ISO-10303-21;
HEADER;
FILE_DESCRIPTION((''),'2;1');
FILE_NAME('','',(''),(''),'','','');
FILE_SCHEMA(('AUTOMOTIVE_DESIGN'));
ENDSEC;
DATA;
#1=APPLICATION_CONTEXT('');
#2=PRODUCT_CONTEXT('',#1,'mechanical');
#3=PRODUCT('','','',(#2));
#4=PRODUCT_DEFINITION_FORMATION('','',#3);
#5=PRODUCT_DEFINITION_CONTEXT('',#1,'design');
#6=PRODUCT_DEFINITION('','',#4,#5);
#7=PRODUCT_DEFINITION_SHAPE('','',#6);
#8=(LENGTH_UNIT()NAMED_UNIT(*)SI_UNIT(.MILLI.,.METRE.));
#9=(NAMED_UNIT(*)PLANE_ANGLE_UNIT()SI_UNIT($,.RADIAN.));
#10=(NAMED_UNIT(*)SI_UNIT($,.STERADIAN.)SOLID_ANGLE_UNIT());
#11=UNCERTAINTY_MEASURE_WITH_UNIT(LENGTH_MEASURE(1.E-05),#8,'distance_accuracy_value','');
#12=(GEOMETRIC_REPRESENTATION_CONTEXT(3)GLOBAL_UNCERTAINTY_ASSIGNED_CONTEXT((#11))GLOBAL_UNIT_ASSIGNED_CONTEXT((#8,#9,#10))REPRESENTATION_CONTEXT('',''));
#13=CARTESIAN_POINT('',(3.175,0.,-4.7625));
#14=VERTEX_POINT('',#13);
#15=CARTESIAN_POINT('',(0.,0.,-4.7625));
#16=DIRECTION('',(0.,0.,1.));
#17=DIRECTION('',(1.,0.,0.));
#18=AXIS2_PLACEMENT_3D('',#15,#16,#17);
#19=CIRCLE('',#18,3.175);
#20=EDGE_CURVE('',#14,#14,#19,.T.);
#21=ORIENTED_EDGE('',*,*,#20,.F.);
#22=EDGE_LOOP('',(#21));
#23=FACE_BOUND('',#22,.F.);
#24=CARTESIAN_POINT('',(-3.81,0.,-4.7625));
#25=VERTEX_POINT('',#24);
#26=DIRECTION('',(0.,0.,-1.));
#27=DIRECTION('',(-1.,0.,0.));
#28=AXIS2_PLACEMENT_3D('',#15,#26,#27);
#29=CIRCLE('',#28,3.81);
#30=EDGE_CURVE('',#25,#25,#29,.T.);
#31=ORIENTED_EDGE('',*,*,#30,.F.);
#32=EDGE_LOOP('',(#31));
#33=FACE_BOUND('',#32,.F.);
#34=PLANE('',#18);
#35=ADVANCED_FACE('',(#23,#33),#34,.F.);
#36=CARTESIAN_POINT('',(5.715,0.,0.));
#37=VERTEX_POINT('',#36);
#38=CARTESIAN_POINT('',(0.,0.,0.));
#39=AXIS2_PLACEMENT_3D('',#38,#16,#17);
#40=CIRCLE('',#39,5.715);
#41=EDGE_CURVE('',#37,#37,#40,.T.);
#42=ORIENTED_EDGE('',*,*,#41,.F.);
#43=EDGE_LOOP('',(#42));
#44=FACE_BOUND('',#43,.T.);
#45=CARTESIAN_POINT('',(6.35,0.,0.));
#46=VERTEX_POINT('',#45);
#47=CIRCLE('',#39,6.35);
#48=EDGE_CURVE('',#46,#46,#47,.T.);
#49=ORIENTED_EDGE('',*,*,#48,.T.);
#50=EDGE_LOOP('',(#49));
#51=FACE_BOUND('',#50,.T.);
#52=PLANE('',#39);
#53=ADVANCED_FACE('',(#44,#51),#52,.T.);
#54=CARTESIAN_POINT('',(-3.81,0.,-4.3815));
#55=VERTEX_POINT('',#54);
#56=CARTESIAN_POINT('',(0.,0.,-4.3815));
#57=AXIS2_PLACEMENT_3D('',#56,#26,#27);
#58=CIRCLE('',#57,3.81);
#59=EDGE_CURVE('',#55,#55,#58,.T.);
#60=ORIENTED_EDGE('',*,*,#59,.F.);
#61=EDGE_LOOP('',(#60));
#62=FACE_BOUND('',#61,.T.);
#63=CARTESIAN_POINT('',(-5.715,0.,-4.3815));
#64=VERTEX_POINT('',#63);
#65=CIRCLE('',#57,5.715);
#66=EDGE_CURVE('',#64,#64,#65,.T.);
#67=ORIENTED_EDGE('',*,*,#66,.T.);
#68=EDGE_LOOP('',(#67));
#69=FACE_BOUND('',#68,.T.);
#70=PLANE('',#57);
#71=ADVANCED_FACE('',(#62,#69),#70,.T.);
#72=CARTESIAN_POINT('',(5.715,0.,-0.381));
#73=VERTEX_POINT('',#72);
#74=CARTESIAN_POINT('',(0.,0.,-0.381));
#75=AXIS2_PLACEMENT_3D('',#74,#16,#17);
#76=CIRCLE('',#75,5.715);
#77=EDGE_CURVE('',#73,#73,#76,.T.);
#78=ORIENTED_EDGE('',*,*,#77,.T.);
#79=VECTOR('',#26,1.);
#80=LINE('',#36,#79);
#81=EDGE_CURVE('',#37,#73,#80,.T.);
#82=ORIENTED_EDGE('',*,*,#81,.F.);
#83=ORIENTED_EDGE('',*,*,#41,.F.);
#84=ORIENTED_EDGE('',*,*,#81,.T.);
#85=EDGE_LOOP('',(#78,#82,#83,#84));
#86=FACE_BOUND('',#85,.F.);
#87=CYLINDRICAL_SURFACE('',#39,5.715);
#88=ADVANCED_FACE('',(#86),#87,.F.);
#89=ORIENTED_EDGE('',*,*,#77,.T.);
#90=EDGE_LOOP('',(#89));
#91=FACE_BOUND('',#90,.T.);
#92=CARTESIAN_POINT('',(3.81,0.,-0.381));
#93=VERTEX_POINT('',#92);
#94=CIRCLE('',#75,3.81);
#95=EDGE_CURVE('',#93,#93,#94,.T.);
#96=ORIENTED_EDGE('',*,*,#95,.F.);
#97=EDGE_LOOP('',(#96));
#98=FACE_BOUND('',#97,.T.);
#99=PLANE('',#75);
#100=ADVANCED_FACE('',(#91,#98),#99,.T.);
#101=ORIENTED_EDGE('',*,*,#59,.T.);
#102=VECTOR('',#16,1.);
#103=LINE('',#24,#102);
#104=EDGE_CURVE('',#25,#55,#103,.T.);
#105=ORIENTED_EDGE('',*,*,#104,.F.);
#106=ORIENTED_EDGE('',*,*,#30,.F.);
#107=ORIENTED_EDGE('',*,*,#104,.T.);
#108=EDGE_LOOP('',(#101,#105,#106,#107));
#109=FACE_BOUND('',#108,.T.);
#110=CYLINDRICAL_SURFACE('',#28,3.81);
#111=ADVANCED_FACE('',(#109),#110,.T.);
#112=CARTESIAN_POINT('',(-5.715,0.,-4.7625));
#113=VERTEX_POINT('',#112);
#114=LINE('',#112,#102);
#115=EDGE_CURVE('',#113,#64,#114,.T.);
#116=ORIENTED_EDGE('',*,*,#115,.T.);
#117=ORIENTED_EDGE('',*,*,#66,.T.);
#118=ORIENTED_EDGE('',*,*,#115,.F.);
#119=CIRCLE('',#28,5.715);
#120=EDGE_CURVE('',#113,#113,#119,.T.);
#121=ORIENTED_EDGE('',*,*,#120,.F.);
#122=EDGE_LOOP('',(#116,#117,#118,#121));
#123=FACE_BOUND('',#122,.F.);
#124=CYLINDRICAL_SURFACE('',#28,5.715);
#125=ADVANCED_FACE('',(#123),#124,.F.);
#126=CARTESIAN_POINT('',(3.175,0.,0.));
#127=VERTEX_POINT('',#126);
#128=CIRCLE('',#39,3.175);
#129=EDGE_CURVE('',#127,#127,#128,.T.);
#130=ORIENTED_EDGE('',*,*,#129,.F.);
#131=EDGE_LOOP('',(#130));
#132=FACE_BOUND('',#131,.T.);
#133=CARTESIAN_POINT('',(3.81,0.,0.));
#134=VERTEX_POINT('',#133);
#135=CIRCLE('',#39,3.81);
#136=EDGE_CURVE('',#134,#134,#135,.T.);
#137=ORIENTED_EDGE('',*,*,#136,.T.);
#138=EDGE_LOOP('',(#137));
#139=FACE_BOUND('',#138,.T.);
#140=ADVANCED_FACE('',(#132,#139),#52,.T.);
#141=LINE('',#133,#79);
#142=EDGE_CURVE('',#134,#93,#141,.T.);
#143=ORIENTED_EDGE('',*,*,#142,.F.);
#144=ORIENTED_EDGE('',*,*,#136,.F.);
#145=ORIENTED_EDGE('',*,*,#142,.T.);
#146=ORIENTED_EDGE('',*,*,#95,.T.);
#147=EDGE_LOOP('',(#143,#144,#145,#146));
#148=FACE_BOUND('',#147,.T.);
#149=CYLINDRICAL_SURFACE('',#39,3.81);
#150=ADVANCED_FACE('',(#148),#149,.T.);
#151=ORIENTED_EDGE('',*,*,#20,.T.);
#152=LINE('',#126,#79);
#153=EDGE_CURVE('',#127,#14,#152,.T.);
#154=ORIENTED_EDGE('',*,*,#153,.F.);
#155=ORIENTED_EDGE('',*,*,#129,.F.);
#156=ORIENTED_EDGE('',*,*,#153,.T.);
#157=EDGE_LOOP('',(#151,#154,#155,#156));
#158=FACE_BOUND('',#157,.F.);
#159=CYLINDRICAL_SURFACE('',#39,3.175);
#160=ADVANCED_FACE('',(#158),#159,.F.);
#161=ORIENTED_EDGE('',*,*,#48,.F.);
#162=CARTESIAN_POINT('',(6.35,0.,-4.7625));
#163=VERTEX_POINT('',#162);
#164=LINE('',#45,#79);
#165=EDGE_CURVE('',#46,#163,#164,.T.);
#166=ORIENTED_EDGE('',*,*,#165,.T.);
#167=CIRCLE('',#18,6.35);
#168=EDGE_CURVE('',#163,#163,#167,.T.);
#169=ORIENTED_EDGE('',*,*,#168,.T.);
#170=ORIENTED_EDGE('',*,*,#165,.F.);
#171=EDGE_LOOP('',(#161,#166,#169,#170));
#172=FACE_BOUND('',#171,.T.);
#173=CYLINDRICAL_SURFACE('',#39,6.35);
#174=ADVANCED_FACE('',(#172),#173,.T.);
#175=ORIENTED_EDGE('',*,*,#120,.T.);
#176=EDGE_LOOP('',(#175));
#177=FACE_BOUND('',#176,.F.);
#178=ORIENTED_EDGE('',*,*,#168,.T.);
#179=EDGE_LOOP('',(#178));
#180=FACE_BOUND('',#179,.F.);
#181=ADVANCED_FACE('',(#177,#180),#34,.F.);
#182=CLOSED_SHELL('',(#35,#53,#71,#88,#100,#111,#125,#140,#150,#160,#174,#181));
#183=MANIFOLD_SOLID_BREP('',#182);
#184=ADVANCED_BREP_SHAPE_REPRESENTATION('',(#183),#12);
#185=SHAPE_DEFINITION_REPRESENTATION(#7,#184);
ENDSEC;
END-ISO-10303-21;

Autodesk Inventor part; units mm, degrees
ref_plane "YZ Plane" through (0, 0, 0) normal (1, 0, 0) x (0, 1, 0)
ref_plane "XZ Plane" through (0, 0, 0) normal (0, 1, 0) x (-1, 0, 0)
ref_plane "XY Plane" through (0, 0, 0) normal (0, 0, 1) x (1, 0, 0)
sketch "Sketch1" plane through (0, 0, 0) normal (0, 0, 1) x (1, 0, 0)
  circle A0 centre (0, 0) radius 3.175
  circle A1 centre (0, 0) radius 6.35
  dimension "d0" = 6.35
  dimension "d1" = 12.7
extrude "Extrusion1" add sketch "Sketch1" against normal blind 4.7625
sketch "Sketch2" plane through (0, 0, 0) normal (0, 0, 1) x (1, 0, 0)
  circle A0 centre (0, 0) radius 6.35 projected
  circle A1 centre (0, 0) radius 3.175 projected
  circle A2 centre (0, 0) radius 5.715
  circle A3 centre (0, 0) radius 3.81
  dimension "d4" = 0.635
  dimension "d5" = 0.635
extrude "Extrusion2" cut sketch "Sketch2" against normal blind 0.381 contours A2
sketch "Sketch3" plane through (0, 0, -4.7625) normal (0, 0, -1) x (-1, 0, 0)
  circle A0 centre (0, 0) radius 5.715 projected
  circle A1 centre (0, 0) radius 3.81 projected
extrude "Extrusion3" cut sketch "Sketch3" against normal blind 0.381
properties part number "0.25in ID 0.5in OD 0.1875in Deep Roller Bearing"
